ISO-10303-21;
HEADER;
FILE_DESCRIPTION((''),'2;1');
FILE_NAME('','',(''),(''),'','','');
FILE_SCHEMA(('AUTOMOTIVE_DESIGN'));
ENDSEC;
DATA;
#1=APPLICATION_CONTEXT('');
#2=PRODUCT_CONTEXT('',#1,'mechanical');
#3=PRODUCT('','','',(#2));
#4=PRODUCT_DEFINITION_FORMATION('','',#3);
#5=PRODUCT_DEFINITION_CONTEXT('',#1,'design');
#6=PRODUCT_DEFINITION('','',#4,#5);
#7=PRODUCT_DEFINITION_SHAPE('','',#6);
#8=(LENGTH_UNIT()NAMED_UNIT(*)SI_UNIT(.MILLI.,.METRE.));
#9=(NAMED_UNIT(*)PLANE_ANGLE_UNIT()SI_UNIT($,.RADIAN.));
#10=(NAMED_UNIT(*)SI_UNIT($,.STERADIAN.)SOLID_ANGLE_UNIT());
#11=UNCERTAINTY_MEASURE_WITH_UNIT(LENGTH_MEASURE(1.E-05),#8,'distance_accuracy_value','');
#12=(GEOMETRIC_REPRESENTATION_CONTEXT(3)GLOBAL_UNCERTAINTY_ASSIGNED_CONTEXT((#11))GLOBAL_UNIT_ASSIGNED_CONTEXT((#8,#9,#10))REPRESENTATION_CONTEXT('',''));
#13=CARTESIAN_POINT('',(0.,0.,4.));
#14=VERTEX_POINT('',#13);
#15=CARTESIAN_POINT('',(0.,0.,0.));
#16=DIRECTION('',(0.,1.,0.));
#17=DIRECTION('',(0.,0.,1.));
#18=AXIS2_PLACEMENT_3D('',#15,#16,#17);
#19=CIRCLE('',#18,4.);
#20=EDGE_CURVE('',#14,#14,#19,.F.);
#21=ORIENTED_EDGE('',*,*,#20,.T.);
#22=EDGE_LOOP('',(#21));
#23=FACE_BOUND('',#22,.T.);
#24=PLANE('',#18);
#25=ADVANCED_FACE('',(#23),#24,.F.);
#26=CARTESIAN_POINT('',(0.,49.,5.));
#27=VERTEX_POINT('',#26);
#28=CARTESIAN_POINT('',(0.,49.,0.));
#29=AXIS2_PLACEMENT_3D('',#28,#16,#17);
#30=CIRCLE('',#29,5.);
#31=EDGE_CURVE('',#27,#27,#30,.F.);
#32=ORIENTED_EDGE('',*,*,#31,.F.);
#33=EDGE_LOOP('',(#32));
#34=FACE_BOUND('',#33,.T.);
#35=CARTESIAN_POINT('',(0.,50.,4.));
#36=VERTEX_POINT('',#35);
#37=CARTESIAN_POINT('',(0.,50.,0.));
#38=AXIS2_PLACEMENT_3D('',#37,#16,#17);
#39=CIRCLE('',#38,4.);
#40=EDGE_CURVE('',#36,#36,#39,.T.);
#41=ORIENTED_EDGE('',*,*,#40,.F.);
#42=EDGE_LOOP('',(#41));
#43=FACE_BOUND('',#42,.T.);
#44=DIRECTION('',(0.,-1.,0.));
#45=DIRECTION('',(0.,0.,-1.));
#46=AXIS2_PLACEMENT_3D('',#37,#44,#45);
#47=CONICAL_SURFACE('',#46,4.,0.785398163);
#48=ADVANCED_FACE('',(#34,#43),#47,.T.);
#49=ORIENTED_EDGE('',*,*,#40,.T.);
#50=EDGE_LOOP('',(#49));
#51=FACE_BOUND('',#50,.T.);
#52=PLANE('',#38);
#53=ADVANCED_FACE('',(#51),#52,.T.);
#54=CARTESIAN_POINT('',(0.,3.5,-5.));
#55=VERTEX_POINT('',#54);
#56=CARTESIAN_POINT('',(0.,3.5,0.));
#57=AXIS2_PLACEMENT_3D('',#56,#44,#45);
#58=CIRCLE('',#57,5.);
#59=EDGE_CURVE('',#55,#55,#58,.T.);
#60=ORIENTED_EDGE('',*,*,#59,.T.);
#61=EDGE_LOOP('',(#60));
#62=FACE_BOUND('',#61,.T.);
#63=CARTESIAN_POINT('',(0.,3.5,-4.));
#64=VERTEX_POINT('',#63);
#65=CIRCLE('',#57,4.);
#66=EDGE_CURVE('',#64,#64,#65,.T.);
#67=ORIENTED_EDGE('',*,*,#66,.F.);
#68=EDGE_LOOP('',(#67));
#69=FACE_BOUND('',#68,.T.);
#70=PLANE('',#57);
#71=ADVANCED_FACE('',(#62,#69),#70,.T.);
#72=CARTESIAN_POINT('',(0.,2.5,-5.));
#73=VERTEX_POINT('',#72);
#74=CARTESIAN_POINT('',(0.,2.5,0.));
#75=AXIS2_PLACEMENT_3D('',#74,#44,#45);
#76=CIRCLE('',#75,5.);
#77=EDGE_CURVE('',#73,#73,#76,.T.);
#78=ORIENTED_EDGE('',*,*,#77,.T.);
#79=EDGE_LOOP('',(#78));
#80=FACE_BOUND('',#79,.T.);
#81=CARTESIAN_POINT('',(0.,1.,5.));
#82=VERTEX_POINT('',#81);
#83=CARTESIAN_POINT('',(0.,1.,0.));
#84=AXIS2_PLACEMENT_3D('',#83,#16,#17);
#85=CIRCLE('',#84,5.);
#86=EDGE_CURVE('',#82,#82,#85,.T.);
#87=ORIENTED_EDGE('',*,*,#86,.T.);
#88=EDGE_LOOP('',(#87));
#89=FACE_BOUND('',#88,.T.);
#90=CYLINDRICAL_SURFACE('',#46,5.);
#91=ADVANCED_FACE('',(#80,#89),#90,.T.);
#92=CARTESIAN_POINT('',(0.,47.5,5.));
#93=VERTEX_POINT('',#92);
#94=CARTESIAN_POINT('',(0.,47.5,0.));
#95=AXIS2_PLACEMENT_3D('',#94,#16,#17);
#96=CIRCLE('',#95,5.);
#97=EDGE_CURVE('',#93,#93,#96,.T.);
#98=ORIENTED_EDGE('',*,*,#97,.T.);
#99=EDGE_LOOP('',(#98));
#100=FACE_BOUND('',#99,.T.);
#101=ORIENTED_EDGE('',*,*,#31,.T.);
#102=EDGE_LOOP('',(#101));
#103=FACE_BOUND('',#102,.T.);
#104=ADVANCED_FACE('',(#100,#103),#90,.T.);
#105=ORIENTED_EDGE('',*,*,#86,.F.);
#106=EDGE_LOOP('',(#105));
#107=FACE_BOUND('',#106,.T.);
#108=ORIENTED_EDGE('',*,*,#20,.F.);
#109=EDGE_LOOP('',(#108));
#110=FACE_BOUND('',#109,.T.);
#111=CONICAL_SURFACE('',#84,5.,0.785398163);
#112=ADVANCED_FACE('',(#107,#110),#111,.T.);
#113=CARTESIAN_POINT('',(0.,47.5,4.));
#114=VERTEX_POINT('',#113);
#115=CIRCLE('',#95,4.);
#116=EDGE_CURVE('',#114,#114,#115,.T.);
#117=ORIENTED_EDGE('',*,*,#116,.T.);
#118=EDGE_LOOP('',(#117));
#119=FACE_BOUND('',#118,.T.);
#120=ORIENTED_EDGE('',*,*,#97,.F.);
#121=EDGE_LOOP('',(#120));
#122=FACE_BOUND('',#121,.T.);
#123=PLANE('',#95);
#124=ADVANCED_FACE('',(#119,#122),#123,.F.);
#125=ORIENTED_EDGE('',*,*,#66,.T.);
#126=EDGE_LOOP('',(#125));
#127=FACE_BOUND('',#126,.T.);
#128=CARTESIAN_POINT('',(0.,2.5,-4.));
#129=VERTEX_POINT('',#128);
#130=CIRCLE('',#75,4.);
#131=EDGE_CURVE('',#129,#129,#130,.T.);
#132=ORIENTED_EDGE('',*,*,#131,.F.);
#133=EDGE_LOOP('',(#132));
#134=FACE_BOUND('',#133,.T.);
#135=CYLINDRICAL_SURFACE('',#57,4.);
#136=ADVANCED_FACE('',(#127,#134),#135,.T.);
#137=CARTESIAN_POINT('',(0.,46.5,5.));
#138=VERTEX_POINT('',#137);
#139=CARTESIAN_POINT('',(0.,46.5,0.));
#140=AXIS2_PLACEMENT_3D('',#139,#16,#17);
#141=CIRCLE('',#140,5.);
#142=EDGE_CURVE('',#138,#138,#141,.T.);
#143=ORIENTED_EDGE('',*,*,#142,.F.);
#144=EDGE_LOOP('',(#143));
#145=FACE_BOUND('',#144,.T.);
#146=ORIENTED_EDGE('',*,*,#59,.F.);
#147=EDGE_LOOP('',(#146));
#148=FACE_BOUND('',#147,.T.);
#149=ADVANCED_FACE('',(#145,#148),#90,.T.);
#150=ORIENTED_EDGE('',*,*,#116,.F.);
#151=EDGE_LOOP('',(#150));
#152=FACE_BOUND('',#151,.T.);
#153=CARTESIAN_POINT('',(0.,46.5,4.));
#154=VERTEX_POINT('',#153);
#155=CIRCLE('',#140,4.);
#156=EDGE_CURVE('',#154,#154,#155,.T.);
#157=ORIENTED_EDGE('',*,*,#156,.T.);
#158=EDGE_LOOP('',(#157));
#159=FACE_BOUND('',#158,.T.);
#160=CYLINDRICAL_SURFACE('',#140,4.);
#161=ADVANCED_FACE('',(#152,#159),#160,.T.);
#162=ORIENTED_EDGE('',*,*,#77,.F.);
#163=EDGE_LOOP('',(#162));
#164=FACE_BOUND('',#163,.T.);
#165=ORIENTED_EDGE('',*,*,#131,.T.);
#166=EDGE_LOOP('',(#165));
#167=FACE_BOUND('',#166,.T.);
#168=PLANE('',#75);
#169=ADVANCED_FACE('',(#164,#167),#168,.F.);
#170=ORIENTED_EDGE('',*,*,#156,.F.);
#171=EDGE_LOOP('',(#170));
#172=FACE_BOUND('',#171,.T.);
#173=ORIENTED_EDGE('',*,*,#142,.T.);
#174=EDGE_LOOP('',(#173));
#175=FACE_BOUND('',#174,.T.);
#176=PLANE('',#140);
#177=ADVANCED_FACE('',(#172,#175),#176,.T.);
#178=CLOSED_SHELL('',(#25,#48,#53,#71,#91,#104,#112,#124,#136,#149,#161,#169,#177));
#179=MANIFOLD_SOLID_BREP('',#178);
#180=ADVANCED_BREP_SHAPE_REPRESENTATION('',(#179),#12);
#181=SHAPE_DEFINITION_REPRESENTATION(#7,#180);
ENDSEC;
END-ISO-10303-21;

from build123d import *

# Parameters (mm, degrees)
SKETCH1_R           = 5
BOSS_EXTRUDE1_DEPTH = 50
CHAMFER1_SIZE       = 1
CUT_EXTRUDE1_START  = -2.5
SKETCH2_R           = 6
SKETCH2_R_2         = 4
CUT_EXTRUDE1_DEPTH  = 1
CUT_EXTRUDE2_START  = -3.5
SKETCH3_R           = 5
SKETCH3_R_2         = 4
CUT_EXTRUDE2_DEPTH  = 1


with BuildPart() as part:
    # Sketch1 → Boss-Extrude1 (new body)
    with BuildSketch(Plane(origin=(0, 0, 0), x_dir=(1, 0, 0), z_dir=(0, 1, 0))):
        with Locations(Location((0, 0, 0), (0, 0, 270))):
            Circle(SKETCH1_R)
    extrude(amount=BOSS_EXTRUDE1_DEPTH)

    # Chamfer1
    chamfer1_edges = [part.edges().sort_by_distance(p)[0] for p in [
        (0, 0, -5),
        (0, 50, -5),
    ]]
    chamfer(chamfer1_edges, length=CHAMFER1_SIZE)

    # Sketch2 → Cut-Extrude1 (cut)
    with BuildSketch(Plane.XZ.offset(CUT_EXTRUDE1_START)):
        Circle(SKETCH2_R)
        with Locations(Location((0, 0, 0), (0, 0, 270))):
            Circle(SKETCH2_R_2, mode=Mode.SUBTRACT)
    extrude(amount=-CUT_EXTRUDE1_DEPTH, mode=Mode.SUBTRACT)

    # Sketch3 → Cut-Extrude2 (cut)
    with BuildSketch(Plane(origin=(0, 50, 0), x_dir=(1, 0, 0), z_dir=(0, 1, 0)).offset(CUT_EXTRUDE2_START)):
        with Locations(Location((0, 0, 0), (0, 0, 90))):
            Circle(SKETCH3_R)
        with Locations(Location((0, 0, 0), (0, 0, 90))):
            Circle(SKETCH3_R_2, mode=Mode.SUBTRACT)
    extrude(amount=CUT_EXTRUDE2_DEPTH, mode=Mode.SUBTRACT)


solid = part.part
